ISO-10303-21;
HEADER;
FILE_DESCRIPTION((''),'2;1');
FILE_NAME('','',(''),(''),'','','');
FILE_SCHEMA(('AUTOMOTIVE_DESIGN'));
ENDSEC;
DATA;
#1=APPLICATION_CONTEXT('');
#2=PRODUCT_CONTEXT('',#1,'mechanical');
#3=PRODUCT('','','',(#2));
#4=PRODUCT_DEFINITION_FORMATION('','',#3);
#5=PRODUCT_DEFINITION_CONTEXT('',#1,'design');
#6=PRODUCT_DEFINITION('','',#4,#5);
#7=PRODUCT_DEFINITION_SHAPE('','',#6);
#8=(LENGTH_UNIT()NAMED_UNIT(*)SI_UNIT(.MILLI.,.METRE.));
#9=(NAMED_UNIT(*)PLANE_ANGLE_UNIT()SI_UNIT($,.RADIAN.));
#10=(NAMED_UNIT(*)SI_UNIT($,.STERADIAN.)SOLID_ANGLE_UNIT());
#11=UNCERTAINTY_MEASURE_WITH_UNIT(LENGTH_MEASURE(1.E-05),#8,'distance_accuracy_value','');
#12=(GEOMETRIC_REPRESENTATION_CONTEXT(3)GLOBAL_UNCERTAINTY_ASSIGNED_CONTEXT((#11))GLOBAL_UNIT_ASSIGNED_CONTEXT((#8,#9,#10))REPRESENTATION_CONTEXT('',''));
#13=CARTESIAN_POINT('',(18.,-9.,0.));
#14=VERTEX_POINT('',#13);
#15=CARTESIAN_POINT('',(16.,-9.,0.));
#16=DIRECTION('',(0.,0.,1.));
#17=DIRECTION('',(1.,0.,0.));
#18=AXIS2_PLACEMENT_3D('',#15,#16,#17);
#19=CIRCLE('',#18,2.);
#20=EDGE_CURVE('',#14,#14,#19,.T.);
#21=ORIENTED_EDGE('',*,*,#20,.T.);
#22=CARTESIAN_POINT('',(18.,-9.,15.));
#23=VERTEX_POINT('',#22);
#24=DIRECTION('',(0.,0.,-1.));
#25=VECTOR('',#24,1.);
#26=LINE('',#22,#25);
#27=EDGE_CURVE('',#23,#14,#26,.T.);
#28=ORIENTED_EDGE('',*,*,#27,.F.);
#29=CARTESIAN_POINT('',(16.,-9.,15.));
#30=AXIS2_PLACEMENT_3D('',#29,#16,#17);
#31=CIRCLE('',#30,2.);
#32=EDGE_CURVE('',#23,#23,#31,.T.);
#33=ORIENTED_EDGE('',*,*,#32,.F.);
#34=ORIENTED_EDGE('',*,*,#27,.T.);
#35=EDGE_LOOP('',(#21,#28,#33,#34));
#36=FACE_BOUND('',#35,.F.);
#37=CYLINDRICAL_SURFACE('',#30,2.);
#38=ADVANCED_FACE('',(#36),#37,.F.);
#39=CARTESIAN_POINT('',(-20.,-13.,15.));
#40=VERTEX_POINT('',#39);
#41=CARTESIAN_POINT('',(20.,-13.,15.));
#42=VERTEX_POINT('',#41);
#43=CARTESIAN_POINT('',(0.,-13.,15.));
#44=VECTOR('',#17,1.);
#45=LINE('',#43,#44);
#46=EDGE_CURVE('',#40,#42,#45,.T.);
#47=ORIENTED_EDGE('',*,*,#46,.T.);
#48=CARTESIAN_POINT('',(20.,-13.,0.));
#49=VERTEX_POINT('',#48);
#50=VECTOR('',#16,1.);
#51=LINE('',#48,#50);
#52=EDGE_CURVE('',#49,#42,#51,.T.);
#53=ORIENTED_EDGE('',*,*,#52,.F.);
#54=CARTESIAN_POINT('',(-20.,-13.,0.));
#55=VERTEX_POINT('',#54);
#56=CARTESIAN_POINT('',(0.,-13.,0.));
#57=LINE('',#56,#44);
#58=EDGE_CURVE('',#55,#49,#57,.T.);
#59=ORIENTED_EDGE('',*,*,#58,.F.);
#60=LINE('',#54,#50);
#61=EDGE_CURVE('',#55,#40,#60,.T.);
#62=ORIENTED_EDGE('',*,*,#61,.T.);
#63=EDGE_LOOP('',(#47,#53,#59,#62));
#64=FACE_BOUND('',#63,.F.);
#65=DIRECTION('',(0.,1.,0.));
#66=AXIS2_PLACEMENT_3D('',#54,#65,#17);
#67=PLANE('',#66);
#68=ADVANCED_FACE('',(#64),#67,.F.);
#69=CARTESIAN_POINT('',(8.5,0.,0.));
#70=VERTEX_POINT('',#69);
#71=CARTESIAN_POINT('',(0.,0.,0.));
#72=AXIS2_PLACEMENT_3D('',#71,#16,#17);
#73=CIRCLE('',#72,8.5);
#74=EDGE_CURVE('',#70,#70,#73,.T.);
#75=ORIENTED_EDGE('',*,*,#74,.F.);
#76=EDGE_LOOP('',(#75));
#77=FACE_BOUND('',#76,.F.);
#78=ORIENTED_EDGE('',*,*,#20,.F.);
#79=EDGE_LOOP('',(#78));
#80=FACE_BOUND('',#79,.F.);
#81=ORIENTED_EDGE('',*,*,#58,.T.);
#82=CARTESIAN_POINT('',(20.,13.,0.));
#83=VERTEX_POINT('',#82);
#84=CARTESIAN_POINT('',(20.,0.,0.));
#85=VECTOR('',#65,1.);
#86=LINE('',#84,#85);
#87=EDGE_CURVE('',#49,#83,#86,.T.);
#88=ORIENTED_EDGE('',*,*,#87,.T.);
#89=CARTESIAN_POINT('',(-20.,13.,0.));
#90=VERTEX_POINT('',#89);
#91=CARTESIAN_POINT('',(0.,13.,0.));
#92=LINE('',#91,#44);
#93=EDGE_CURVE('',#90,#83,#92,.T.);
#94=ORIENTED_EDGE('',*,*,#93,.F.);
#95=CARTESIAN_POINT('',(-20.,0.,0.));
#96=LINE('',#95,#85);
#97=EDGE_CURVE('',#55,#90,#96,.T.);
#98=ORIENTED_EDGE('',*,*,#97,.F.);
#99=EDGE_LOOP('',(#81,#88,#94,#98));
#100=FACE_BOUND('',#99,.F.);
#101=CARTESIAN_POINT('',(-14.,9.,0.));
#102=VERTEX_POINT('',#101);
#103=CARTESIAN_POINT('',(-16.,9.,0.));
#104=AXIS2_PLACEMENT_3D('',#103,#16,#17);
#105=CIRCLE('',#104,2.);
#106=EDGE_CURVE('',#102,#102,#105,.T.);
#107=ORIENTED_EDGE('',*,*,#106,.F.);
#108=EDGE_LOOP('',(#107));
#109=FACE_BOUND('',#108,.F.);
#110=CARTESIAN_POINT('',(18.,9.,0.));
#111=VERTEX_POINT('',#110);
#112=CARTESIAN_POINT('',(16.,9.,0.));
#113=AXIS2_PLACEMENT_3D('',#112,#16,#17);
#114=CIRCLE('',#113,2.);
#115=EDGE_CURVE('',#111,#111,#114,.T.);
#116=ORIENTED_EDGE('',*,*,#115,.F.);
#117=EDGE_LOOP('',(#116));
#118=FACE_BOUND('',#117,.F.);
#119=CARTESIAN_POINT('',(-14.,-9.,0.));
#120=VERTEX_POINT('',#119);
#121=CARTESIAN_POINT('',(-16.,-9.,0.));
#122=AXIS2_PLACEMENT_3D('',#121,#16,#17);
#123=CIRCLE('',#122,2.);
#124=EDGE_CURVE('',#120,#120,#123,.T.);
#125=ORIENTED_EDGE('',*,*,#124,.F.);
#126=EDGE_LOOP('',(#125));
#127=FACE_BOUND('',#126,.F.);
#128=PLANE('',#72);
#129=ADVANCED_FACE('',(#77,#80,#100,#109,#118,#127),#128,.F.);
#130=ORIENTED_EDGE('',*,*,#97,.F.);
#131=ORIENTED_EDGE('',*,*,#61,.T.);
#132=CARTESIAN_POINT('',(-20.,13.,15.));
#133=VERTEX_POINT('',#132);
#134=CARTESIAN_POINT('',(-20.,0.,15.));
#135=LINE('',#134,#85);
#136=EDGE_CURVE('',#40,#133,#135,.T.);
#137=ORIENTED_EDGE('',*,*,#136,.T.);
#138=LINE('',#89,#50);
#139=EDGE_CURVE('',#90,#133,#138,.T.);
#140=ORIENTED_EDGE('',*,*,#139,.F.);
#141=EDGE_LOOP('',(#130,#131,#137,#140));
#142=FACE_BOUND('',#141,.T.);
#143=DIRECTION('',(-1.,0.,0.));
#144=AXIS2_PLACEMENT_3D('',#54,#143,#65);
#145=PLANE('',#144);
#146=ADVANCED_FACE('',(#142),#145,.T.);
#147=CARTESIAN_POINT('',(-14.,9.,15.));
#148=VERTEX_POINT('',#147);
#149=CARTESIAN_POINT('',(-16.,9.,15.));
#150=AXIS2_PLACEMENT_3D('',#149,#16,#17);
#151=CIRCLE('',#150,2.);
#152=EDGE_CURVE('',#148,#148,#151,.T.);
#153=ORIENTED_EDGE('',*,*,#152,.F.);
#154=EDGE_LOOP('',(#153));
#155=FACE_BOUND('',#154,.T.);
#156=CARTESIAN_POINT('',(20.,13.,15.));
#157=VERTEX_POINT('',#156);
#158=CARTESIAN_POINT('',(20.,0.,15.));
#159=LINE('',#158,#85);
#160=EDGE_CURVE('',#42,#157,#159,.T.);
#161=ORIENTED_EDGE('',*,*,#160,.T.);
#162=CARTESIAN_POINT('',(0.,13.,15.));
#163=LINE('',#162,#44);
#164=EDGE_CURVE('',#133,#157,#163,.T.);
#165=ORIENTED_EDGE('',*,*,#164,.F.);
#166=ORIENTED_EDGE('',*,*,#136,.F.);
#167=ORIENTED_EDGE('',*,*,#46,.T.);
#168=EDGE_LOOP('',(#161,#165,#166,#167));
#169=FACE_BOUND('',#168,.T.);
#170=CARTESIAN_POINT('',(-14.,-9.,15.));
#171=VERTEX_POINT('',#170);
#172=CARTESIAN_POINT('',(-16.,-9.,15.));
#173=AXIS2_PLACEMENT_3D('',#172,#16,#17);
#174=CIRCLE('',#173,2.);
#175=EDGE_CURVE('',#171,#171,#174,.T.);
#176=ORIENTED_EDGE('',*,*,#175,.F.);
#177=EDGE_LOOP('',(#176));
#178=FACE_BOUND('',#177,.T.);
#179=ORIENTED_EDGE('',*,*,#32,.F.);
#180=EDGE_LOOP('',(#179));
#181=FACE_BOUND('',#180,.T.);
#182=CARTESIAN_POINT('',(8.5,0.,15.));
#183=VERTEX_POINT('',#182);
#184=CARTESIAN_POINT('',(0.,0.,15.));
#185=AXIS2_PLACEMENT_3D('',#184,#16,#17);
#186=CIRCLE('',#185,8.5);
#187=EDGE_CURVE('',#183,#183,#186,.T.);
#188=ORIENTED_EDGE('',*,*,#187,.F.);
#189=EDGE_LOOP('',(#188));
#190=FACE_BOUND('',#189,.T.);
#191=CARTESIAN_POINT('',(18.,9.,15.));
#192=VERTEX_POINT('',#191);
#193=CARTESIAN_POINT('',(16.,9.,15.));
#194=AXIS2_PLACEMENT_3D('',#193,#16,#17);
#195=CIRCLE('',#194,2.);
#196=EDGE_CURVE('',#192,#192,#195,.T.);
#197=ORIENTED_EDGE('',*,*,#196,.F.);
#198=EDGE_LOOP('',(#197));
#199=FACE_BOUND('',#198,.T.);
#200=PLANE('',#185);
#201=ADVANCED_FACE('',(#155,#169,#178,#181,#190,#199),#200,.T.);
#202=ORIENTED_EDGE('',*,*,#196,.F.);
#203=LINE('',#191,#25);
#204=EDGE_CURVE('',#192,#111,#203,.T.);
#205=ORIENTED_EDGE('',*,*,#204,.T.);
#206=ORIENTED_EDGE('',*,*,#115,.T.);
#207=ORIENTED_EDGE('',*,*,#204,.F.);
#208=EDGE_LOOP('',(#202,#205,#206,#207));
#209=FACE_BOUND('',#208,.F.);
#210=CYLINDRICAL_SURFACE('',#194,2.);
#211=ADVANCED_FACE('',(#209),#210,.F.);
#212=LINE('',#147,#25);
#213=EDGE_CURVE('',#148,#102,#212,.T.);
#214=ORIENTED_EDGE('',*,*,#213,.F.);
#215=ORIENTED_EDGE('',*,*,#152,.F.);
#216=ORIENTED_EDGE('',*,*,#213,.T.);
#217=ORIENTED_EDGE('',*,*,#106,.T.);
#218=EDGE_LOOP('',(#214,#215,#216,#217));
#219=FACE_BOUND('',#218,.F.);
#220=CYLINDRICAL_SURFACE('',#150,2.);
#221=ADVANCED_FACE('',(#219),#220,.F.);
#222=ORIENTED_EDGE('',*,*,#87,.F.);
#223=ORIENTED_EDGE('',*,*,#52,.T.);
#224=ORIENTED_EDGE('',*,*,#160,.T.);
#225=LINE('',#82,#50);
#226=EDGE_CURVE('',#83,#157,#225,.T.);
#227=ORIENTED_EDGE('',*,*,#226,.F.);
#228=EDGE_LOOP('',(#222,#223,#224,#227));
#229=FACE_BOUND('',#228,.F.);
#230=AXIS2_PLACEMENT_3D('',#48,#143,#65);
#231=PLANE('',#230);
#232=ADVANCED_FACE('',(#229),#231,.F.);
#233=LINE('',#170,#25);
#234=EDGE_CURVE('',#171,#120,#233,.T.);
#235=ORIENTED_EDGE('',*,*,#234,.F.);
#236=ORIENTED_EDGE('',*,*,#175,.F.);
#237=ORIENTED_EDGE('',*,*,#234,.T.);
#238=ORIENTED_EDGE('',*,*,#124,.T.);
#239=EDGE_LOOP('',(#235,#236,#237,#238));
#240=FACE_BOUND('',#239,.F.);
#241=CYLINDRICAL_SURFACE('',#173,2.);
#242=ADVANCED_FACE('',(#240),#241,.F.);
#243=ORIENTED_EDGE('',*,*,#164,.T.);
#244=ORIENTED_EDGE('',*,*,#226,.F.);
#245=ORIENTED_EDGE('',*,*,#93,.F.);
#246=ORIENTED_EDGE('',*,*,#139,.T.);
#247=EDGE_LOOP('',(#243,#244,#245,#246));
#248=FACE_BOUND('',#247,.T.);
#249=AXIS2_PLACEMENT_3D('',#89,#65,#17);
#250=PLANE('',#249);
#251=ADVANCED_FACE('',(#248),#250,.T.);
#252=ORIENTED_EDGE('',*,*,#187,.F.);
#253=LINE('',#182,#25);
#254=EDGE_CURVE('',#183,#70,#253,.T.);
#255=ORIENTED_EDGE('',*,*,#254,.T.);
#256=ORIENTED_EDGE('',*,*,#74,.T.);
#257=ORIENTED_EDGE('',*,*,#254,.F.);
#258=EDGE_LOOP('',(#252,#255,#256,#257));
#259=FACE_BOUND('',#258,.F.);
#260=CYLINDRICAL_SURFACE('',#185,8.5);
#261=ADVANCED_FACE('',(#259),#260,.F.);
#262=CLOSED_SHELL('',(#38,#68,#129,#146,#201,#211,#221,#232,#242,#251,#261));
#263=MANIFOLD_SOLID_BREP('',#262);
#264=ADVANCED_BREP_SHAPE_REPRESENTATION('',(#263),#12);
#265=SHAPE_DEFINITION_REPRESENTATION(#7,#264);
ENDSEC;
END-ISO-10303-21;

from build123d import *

# Parameters (mm, degrees)
F0_W     = 40
F0_H     = 26
F1_DEPTH = 15
F2_R     = 8.5
F2_R_2   = 2
F3_DEPTH = 15.001


with BuildPart() as f1:
    # F0 (on Top) → F1 (new body)
    with BuildSketch(Plane.XY):
        Rectangle(F0_W, F0_H)
    extrude(amount=F1_DEPTH)

    # F2 (on face) → F3 (cut, through all)
    with BuildSketch(Plane.XY.offset(15)):
        Circle(F2_R)
        with Locations((-16, 9)):
            Circle(F2_R_2)
        with Locations((-16, -9)):
            Circle(F2_R_2)
        with Locations((16, 9)):
            Circle(F2_R_2)
        with Locations((16, -9)):
            Circle(F2_R_2)
    extrude(amount=-F3_DEPTH, mode=Mode.SUBTRACT)


solid = f1.part
